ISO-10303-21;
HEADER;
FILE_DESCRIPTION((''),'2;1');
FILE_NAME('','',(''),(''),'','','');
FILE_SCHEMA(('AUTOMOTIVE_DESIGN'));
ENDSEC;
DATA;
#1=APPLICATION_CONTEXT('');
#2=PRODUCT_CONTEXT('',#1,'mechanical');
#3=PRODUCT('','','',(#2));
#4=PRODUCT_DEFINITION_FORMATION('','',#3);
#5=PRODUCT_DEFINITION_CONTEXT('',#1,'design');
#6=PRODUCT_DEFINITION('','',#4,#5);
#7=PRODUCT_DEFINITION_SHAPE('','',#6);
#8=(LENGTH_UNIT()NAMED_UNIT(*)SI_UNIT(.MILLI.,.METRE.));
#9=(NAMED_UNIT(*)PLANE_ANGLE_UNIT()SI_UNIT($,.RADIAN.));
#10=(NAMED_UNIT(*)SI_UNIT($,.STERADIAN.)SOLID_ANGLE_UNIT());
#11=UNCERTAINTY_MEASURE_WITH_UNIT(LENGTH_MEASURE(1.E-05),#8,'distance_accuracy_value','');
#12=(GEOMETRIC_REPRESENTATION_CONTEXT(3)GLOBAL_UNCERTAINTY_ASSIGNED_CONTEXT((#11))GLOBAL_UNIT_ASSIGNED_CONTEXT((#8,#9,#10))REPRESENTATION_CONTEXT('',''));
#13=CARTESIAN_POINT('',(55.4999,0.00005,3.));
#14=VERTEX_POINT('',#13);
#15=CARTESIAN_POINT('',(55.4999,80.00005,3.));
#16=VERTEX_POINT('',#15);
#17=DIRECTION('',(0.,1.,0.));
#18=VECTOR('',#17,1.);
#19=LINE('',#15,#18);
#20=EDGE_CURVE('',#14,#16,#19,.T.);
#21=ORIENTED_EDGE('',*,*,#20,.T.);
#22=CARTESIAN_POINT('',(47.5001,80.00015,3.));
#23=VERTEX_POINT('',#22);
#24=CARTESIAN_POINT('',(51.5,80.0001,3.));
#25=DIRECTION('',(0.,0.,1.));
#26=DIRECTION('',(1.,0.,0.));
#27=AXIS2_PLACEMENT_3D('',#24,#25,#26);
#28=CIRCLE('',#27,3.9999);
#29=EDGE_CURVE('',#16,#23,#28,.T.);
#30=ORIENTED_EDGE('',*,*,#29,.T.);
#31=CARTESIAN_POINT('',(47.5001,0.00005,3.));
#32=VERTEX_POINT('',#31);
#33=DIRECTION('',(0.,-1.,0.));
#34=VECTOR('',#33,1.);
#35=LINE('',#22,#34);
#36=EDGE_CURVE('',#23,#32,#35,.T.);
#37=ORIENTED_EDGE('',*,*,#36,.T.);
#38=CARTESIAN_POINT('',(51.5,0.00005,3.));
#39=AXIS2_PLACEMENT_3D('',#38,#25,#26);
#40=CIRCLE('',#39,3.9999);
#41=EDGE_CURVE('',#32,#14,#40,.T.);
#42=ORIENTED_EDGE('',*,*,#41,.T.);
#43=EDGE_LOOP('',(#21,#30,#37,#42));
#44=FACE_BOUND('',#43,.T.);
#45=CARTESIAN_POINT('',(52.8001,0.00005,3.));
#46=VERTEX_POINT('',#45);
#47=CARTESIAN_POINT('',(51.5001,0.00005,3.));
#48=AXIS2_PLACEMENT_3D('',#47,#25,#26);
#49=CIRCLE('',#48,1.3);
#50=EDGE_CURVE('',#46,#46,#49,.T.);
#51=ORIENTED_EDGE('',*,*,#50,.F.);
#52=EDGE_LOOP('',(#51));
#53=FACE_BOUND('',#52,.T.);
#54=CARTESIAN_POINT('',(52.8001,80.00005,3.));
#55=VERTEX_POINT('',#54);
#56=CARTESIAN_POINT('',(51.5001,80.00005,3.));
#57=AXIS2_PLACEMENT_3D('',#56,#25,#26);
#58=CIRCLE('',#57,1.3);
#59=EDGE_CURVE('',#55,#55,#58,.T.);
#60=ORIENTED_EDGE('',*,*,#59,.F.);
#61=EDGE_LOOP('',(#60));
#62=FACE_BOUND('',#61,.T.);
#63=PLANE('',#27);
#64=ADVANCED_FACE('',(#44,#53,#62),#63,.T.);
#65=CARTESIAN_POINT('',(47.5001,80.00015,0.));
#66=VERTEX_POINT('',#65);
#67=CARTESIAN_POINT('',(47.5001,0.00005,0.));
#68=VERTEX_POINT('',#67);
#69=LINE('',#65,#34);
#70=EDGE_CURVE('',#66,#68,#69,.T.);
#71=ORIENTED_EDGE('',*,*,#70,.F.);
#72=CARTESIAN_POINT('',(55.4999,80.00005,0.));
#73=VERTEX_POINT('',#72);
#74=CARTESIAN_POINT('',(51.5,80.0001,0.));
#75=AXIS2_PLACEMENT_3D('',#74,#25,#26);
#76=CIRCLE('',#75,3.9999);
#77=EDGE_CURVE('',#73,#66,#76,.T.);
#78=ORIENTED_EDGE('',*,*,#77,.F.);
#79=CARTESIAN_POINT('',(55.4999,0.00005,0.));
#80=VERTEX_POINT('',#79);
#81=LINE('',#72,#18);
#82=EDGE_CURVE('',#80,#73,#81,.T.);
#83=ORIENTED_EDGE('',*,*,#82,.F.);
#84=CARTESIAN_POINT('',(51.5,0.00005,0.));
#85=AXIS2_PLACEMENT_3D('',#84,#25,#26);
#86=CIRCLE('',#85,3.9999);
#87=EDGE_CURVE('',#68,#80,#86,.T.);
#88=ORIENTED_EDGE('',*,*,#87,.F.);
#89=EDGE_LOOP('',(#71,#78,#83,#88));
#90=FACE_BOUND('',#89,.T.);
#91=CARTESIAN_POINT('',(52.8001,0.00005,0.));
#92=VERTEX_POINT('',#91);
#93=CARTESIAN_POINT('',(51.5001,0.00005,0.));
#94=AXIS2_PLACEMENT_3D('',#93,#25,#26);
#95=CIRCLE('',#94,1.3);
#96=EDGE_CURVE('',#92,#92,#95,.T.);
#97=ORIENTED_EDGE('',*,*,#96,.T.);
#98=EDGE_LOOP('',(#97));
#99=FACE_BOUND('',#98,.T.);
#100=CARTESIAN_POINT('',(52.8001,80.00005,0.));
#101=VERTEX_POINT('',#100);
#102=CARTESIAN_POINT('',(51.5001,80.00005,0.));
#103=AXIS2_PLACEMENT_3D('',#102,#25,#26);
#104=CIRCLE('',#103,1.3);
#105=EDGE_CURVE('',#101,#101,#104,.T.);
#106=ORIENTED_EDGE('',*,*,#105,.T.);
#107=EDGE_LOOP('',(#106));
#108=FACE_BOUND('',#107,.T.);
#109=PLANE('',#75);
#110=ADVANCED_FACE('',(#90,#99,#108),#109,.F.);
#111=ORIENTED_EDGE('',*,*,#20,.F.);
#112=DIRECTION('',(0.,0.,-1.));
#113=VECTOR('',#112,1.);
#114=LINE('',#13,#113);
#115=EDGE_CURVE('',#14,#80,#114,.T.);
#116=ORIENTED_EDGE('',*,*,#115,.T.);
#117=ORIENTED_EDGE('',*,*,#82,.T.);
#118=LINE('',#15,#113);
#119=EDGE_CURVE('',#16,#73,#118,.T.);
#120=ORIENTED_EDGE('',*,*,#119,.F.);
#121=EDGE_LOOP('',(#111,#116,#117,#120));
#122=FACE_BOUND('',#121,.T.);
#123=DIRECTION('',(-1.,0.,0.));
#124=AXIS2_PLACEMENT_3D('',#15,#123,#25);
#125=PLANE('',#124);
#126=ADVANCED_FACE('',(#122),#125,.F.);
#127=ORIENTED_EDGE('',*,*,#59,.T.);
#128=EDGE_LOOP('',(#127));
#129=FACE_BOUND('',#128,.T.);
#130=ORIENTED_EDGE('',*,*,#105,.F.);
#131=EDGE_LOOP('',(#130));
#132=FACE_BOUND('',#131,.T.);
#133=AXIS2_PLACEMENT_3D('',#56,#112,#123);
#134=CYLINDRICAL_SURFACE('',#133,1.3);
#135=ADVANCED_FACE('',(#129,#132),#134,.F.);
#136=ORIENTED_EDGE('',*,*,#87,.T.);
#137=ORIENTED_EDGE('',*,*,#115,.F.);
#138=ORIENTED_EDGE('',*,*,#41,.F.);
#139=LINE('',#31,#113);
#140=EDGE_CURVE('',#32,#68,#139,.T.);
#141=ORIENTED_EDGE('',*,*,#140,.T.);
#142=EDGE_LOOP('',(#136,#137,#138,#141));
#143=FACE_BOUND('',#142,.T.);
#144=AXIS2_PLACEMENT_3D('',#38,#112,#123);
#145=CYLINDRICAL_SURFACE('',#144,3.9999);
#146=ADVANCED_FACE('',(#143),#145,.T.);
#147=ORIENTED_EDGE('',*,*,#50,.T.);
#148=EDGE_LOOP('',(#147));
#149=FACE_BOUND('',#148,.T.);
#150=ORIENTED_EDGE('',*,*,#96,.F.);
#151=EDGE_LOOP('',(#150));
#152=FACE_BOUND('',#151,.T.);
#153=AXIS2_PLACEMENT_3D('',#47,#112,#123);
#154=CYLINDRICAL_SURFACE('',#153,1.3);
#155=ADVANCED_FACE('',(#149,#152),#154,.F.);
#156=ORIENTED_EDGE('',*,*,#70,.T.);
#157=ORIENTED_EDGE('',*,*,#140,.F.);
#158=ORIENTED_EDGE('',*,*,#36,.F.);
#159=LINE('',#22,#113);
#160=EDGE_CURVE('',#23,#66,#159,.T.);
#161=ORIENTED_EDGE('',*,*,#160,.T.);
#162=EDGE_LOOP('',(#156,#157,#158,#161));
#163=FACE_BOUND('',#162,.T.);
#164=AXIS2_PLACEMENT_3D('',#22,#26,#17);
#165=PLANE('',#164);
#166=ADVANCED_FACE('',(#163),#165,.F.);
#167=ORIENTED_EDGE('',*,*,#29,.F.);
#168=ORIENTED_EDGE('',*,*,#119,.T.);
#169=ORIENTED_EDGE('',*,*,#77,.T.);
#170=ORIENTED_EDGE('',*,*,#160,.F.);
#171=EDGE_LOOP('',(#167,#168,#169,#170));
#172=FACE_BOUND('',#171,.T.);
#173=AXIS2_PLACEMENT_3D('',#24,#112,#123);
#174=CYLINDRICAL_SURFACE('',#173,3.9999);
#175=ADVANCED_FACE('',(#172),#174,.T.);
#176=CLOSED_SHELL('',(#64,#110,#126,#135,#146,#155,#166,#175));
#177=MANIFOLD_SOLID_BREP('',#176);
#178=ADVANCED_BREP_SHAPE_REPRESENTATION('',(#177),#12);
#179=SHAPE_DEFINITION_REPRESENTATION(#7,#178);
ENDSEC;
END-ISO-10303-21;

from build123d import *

# Parameters (mm, degrees)
MODEL_R             = 1.3
BOSS_EXTRUDE1_DEPTH = 3


with BuildPart() as part:
    # Model → Boss-Extrude1 (new body)
    with BuildSketch(Plane.XY):
        with BuildLine():
            Line((47.500099999, 80.00015), (47.500099999, 4.9999e-05))
            ThreePointArc((47.500099999, 4.9999e-05), (51.499999999, -3.99985), (55.499899998, 4.9999e-05))
            Line((55.499899998, 4.9999e-05), (55.499899998, 80.000050001))
            ThreePointArc((55.499899998, 80.000050001), (51.500049998, 84), (47.500099999, 80.00015))
        make_face()
        with Locations((51.500099998, 4.9998e-05)):
            Circle(MODEL_R, mode=Mode.SUBTRACT)
        with Locations((51.500099998, 80.000049998)):
            Circle(MODEL_R, mode=Mode.SUBTRACT)
    extrude(amount=BOSS_EXTRUDE1_DEPTH)


solid = part.part
